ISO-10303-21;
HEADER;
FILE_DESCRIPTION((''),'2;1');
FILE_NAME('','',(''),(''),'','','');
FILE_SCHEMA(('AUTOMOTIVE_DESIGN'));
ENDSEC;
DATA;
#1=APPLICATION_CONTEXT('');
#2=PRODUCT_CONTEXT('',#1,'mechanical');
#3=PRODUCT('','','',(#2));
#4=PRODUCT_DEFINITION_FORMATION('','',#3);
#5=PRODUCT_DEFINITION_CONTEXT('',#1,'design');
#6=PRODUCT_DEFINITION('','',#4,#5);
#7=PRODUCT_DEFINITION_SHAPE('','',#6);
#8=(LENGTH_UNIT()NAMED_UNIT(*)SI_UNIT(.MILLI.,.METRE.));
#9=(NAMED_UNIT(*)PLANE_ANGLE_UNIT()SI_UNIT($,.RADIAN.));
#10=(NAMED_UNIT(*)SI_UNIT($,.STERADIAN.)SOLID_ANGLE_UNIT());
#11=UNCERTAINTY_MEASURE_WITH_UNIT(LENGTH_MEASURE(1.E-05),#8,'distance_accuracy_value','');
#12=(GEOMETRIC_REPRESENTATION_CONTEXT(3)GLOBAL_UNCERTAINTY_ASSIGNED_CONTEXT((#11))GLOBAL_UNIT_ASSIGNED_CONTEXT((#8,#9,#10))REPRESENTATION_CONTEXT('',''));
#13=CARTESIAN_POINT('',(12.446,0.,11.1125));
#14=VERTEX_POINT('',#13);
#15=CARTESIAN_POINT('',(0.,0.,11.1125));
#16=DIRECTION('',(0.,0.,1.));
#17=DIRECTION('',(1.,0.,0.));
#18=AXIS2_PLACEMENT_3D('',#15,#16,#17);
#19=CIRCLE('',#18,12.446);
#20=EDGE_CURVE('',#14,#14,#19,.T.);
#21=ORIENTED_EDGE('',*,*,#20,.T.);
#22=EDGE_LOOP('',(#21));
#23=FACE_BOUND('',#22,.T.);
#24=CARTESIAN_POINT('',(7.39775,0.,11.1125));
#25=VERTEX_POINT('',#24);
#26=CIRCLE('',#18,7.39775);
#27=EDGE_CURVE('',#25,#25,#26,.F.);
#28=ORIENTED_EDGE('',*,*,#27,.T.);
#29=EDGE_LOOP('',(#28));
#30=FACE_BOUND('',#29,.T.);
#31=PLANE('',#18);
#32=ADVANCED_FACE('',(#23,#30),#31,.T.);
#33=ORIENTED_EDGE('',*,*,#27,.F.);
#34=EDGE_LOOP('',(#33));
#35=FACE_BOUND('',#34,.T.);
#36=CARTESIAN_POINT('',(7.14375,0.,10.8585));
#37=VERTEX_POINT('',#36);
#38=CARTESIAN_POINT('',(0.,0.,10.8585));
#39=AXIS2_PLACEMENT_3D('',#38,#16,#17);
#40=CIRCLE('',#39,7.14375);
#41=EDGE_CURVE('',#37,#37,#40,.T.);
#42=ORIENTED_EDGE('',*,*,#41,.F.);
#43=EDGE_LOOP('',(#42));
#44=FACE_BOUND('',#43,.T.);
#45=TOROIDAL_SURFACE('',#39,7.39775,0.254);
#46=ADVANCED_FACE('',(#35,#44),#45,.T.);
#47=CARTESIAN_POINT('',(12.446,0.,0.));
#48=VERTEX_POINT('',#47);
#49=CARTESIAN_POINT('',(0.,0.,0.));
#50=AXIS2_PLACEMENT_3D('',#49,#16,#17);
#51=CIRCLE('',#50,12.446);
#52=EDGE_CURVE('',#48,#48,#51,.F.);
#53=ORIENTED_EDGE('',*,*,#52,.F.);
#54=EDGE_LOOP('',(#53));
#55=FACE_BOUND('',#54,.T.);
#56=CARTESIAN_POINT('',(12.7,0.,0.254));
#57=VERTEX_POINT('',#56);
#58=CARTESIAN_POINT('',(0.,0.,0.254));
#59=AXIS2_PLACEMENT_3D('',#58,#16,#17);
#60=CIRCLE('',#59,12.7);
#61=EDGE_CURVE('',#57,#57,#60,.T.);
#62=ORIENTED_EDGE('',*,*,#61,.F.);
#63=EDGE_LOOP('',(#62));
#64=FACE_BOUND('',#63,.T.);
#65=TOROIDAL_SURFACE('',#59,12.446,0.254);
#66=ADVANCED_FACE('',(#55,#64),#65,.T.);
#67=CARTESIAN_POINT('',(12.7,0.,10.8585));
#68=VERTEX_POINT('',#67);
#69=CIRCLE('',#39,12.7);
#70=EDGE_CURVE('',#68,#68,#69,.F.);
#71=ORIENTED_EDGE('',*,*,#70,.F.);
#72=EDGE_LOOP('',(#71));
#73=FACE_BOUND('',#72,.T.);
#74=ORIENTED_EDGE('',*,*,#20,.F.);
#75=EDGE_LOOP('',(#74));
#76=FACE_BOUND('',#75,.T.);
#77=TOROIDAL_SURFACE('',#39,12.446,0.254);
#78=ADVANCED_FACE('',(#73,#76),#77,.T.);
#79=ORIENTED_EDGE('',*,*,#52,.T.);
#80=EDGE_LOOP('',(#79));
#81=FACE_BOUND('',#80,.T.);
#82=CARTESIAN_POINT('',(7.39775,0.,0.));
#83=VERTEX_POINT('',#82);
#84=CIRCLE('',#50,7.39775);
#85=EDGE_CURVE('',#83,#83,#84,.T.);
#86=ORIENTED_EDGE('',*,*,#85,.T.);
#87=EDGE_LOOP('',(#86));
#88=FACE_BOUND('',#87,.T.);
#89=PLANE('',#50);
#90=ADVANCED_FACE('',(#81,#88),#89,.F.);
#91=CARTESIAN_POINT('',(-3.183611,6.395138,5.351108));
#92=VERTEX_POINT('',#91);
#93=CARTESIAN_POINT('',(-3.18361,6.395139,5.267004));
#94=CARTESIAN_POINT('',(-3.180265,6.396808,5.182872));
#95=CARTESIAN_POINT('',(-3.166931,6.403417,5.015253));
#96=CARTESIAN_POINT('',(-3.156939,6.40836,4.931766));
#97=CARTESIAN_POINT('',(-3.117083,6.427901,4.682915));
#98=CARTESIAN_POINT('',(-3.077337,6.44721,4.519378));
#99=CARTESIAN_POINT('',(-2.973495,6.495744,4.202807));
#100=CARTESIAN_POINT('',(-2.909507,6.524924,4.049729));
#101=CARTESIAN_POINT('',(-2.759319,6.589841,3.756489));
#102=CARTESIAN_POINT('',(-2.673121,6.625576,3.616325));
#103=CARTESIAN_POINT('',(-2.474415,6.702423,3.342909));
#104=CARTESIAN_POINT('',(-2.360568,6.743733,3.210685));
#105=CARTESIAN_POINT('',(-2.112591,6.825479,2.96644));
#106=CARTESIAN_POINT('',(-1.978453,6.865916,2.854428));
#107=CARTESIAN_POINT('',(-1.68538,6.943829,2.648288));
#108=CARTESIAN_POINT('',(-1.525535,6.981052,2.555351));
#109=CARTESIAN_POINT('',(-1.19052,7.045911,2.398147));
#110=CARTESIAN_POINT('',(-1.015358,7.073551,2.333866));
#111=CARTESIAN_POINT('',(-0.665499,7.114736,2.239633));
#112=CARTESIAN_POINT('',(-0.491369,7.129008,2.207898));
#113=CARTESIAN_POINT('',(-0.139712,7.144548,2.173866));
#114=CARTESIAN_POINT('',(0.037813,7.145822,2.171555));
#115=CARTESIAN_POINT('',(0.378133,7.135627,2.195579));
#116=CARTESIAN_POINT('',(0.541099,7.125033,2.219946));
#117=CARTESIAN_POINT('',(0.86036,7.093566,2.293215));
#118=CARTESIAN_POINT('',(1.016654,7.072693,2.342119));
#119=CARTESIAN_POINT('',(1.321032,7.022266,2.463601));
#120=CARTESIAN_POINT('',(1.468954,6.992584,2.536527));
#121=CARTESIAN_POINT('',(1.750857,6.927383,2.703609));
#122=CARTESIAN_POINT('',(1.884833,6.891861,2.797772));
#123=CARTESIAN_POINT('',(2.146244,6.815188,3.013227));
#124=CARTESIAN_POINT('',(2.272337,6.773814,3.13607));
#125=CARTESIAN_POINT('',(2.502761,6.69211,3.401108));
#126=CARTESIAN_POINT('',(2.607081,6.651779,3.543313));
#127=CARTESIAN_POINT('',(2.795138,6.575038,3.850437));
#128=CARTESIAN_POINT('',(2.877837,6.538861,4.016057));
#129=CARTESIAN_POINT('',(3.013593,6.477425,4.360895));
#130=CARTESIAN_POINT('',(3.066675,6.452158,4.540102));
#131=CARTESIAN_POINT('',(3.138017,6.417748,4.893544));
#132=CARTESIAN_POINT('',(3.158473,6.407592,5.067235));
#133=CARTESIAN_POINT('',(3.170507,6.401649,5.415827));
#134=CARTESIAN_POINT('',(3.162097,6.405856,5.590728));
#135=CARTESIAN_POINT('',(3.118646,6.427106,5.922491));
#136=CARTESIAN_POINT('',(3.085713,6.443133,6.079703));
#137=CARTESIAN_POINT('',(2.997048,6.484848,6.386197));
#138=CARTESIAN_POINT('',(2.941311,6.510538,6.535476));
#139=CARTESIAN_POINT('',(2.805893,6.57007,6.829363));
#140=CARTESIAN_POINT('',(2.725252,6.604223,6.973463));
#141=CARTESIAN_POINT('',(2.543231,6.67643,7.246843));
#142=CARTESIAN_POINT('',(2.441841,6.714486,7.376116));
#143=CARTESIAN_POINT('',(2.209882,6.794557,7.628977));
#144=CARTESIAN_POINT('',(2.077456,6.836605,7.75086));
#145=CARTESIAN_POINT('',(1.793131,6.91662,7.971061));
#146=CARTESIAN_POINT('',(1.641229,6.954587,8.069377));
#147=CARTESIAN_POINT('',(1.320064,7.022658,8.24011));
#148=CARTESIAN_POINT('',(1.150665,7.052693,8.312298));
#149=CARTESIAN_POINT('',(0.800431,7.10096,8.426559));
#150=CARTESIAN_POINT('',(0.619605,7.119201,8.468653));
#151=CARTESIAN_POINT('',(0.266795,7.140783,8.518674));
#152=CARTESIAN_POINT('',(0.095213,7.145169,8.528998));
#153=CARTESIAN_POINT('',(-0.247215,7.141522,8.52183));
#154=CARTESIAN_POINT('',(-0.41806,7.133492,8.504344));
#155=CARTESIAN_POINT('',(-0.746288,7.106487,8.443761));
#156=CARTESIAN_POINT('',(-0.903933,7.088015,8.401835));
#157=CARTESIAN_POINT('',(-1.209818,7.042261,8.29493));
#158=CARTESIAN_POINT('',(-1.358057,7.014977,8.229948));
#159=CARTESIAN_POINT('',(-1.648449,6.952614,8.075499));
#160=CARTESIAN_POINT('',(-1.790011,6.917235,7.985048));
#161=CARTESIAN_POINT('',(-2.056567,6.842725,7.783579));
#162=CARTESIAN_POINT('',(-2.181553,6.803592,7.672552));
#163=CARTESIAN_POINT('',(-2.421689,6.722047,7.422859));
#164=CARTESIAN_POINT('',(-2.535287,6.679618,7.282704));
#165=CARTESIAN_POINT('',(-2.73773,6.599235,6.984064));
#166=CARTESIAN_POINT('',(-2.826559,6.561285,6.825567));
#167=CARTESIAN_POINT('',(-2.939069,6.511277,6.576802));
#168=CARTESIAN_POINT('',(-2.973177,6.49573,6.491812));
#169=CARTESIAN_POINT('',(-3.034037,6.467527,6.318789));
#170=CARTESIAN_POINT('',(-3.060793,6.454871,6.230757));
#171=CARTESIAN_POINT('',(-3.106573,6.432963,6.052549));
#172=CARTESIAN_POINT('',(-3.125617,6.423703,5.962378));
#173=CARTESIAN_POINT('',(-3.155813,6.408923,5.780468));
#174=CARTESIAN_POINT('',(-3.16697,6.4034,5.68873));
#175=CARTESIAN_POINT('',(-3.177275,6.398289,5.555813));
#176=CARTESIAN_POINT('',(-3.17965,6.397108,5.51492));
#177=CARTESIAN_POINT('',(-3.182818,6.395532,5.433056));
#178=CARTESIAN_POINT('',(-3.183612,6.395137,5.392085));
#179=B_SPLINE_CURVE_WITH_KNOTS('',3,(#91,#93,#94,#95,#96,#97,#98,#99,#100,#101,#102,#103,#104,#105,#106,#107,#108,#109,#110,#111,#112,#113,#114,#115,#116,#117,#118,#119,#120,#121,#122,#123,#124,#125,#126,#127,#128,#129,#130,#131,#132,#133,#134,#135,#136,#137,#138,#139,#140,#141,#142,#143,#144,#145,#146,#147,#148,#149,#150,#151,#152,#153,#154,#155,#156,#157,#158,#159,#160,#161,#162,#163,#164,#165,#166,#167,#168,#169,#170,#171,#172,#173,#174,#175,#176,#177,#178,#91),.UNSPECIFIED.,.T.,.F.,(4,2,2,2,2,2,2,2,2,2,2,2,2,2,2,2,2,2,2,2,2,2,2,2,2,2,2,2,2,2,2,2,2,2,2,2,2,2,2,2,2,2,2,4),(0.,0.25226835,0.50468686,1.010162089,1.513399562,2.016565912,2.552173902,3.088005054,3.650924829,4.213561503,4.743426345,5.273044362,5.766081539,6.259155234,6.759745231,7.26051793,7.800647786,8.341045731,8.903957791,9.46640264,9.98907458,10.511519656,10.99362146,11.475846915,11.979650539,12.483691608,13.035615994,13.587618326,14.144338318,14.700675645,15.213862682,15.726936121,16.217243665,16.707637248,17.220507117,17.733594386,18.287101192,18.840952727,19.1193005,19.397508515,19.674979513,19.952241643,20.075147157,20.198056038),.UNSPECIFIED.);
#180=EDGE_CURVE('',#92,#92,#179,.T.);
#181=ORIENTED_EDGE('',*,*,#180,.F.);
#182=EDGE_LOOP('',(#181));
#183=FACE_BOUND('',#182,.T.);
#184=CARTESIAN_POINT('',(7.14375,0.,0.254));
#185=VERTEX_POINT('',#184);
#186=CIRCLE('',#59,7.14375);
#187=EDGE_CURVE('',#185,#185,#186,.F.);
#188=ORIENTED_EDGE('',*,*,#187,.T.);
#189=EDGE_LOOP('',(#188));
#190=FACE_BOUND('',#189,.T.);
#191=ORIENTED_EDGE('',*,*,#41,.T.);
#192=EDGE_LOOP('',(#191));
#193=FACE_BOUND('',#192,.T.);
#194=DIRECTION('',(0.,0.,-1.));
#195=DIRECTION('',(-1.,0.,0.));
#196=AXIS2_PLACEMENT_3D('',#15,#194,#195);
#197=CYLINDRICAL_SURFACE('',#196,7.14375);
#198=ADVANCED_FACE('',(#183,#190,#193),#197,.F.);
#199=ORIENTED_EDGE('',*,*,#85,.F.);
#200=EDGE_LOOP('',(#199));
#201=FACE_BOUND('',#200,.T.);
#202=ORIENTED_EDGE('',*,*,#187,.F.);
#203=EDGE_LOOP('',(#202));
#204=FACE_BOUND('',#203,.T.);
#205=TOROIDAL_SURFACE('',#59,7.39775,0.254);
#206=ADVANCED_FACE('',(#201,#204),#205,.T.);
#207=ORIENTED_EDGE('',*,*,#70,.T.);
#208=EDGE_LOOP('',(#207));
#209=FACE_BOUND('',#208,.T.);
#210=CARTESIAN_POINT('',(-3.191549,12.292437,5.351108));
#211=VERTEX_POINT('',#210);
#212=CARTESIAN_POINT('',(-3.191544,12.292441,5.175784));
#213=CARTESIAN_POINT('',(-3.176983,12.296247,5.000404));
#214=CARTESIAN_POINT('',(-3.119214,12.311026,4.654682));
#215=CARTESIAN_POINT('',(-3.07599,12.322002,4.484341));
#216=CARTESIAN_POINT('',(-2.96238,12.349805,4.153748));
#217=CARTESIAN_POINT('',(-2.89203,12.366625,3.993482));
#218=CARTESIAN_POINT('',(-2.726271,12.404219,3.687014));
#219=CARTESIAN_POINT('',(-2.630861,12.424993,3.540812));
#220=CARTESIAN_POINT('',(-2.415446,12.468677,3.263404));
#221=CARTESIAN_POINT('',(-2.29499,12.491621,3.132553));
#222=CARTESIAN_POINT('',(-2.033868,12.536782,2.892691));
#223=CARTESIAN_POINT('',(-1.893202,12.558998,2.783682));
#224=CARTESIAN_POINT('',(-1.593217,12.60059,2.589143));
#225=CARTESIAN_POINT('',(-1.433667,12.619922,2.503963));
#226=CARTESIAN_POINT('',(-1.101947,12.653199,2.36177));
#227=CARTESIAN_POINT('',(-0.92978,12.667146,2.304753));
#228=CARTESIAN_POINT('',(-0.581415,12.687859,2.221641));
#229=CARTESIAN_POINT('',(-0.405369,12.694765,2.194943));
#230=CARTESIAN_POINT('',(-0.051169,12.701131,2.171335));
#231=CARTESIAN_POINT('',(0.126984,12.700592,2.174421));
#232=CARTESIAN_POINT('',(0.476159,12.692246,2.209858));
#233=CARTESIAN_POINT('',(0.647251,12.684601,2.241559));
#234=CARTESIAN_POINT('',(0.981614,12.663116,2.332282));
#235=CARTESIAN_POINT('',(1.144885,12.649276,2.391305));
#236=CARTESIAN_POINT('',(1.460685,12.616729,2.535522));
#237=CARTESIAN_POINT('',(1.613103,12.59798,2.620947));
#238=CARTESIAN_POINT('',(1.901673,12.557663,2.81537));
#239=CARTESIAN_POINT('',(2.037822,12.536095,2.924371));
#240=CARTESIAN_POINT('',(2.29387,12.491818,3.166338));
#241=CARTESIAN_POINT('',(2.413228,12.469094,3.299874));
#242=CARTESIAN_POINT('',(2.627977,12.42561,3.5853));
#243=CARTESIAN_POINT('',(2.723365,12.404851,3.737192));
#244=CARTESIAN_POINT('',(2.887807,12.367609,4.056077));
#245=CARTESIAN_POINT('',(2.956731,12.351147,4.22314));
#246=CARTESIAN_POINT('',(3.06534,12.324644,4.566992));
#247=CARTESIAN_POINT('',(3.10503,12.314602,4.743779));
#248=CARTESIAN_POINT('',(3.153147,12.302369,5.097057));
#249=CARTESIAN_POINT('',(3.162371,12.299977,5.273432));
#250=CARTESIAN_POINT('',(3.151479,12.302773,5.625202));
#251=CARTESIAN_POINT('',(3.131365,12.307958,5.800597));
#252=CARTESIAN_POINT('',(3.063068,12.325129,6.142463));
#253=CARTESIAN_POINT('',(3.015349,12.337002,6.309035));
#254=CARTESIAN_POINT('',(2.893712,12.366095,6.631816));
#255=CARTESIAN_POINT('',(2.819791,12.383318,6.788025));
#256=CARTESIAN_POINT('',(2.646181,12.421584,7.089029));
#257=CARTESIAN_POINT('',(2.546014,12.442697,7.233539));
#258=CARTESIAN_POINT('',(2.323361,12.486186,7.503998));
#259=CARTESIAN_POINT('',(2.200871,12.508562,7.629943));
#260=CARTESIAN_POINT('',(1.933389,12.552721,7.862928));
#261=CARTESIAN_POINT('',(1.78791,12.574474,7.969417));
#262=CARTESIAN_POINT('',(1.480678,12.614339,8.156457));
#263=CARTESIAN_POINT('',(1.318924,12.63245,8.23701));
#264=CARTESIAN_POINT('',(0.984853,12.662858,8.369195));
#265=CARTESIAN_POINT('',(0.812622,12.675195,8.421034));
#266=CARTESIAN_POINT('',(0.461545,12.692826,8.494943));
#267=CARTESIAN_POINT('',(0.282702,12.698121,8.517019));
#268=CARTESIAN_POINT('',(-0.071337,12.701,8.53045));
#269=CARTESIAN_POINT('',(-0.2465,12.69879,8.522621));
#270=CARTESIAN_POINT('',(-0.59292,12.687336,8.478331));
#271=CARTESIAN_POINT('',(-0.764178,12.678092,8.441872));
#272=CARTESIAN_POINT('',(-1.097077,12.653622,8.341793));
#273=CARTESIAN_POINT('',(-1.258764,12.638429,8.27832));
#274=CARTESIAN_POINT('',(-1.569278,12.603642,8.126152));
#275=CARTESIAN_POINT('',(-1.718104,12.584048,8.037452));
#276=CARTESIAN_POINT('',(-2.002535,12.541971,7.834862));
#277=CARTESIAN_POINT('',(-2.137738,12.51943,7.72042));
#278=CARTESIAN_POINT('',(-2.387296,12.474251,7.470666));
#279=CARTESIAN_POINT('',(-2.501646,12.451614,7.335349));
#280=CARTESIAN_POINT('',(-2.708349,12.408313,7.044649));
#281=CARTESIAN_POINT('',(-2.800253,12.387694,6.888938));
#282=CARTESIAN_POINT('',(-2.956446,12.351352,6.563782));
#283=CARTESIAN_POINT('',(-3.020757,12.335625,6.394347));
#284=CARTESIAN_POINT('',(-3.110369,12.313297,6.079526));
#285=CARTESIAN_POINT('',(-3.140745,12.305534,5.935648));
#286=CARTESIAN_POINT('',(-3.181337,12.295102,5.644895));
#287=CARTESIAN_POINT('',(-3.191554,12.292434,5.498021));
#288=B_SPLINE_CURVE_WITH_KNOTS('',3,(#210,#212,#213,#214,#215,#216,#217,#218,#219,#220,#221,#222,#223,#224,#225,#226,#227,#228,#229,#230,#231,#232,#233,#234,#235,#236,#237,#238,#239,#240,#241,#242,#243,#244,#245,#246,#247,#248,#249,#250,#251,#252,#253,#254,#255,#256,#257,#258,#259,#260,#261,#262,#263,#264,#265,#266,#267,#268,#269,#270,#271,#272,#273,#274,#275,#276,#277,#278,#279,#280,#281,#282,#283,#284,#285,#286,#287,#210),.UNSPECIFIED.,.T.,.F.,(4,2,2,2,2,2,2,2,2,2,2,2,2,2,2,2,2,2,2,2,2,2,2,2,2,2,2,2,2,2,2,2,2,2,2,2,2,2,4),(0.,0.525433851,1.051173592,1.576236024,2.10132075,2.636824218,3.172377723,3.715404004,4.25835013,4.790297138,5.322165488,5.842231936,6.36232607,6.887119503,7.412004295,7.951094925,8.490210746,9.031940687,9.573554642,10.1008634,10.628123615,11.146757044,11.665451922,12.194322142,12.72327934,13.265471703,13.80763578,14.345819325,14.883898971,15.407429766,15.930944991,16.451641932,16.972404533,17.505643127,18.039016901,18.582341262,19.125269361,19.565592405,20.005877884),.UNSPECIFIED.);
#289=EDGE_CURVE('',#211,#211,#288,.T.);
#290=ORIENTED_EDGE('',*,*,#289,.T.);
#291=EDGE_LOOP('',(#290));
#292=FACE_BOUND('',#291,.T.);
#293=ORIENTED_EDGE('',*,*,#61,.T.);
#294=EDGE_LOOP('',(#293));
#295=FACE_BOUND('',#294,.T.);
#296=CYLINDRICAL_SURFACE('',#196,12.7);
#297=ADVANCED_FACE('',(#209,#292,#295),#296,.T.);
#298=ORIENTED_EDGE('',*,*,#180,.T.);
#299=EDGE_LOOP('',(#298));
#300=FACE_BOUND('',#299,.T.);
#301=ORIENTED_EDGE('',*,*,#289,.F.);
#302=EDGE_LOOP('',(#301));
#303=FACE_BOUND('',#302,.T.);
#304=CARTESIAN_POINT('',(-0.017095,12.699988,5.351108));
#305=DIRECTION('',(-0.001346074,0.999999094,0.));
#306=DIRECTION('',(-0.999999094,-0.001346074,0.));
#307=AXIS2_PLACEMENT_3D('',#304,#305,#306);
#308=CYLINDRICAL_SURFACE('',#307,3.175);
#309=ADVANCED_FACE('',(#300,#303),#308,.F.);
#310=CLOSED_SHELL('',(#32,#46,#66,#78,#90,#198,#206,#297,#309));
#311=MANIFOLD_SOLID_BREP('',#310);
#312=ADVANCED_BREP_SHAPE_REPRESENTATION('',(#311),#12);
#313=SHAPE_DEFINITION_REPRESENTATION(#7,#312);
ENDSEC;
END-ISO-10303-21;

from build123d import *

# Parameters (mm, degrees)
SKETCH1_R                       = 12.7
SKETCH1_R_2                     = 7.14375
BOSS_EXTRUDE1_DEPTH             = 11.1125
FILLET1_R                       = 0.254
F_1_4_0_25_DIAMETER_HOLE1_D     = 6.35
F_1_4_0_25_DIAMETER_HOLE1_DEPTH = 10.922
F_1_4_0_25_DIAMETER_HOLE1_TIP   = 1.907732465


with BuildPart() as part:
    # Sketch1 → Boss-Extrude1 (new body)
    with BuildSketch(Plane.XY):
        Circle(SKETCH1_R)
        Circle(SKETCH1_R_2, mode=Mode.SUBTRACT)
    extrude(amount=BOSS_EXTRUDE1_DEPTH)

    # Fillet1
    fillet1_edges = [part.edges().sort_by_distance(p)[0] for p in [
        (-12.7, 0, 0),
        (-12.7, 0, 11.1125),
        (-7.14375, 0, 0),
        (-7.14375, 0, 11.1125),
    ]]
    fillet(fillet1_edges, radius=FILLET1_R)

    # 1/4 (0.25) Diameter Hole1
    with Locations(Plane(origin=(-0.017095138, 12.699988494, 5.351108343), x_dir=(0.999999094, 0.001346074, 0), z_dir=(-0.001346074, 0.999999094, 0))):
        with Locations((0, 0)):
            Hole(F_1_4_0_25_DIAMETER_HOLE1_D / 2, depth=F_1_4_0_25_DIAMETER_HOLE1_DEPTH)
            with Locations((0, 0, -(F_1_4_0_25_DIAMETER_HOLE1_DEPTH + F_1_4_0_25_DIAMETER_HOLE1_TIP / 2))):  # 118° drill point
                Cone(0, F_1_4_0_25_DIAMETER_HOLE1_D / 2, F_1_4_0_25_DIAMETER_HOLE1_TIP, mode=Mode.SUBTRACT)


solid = part.part
